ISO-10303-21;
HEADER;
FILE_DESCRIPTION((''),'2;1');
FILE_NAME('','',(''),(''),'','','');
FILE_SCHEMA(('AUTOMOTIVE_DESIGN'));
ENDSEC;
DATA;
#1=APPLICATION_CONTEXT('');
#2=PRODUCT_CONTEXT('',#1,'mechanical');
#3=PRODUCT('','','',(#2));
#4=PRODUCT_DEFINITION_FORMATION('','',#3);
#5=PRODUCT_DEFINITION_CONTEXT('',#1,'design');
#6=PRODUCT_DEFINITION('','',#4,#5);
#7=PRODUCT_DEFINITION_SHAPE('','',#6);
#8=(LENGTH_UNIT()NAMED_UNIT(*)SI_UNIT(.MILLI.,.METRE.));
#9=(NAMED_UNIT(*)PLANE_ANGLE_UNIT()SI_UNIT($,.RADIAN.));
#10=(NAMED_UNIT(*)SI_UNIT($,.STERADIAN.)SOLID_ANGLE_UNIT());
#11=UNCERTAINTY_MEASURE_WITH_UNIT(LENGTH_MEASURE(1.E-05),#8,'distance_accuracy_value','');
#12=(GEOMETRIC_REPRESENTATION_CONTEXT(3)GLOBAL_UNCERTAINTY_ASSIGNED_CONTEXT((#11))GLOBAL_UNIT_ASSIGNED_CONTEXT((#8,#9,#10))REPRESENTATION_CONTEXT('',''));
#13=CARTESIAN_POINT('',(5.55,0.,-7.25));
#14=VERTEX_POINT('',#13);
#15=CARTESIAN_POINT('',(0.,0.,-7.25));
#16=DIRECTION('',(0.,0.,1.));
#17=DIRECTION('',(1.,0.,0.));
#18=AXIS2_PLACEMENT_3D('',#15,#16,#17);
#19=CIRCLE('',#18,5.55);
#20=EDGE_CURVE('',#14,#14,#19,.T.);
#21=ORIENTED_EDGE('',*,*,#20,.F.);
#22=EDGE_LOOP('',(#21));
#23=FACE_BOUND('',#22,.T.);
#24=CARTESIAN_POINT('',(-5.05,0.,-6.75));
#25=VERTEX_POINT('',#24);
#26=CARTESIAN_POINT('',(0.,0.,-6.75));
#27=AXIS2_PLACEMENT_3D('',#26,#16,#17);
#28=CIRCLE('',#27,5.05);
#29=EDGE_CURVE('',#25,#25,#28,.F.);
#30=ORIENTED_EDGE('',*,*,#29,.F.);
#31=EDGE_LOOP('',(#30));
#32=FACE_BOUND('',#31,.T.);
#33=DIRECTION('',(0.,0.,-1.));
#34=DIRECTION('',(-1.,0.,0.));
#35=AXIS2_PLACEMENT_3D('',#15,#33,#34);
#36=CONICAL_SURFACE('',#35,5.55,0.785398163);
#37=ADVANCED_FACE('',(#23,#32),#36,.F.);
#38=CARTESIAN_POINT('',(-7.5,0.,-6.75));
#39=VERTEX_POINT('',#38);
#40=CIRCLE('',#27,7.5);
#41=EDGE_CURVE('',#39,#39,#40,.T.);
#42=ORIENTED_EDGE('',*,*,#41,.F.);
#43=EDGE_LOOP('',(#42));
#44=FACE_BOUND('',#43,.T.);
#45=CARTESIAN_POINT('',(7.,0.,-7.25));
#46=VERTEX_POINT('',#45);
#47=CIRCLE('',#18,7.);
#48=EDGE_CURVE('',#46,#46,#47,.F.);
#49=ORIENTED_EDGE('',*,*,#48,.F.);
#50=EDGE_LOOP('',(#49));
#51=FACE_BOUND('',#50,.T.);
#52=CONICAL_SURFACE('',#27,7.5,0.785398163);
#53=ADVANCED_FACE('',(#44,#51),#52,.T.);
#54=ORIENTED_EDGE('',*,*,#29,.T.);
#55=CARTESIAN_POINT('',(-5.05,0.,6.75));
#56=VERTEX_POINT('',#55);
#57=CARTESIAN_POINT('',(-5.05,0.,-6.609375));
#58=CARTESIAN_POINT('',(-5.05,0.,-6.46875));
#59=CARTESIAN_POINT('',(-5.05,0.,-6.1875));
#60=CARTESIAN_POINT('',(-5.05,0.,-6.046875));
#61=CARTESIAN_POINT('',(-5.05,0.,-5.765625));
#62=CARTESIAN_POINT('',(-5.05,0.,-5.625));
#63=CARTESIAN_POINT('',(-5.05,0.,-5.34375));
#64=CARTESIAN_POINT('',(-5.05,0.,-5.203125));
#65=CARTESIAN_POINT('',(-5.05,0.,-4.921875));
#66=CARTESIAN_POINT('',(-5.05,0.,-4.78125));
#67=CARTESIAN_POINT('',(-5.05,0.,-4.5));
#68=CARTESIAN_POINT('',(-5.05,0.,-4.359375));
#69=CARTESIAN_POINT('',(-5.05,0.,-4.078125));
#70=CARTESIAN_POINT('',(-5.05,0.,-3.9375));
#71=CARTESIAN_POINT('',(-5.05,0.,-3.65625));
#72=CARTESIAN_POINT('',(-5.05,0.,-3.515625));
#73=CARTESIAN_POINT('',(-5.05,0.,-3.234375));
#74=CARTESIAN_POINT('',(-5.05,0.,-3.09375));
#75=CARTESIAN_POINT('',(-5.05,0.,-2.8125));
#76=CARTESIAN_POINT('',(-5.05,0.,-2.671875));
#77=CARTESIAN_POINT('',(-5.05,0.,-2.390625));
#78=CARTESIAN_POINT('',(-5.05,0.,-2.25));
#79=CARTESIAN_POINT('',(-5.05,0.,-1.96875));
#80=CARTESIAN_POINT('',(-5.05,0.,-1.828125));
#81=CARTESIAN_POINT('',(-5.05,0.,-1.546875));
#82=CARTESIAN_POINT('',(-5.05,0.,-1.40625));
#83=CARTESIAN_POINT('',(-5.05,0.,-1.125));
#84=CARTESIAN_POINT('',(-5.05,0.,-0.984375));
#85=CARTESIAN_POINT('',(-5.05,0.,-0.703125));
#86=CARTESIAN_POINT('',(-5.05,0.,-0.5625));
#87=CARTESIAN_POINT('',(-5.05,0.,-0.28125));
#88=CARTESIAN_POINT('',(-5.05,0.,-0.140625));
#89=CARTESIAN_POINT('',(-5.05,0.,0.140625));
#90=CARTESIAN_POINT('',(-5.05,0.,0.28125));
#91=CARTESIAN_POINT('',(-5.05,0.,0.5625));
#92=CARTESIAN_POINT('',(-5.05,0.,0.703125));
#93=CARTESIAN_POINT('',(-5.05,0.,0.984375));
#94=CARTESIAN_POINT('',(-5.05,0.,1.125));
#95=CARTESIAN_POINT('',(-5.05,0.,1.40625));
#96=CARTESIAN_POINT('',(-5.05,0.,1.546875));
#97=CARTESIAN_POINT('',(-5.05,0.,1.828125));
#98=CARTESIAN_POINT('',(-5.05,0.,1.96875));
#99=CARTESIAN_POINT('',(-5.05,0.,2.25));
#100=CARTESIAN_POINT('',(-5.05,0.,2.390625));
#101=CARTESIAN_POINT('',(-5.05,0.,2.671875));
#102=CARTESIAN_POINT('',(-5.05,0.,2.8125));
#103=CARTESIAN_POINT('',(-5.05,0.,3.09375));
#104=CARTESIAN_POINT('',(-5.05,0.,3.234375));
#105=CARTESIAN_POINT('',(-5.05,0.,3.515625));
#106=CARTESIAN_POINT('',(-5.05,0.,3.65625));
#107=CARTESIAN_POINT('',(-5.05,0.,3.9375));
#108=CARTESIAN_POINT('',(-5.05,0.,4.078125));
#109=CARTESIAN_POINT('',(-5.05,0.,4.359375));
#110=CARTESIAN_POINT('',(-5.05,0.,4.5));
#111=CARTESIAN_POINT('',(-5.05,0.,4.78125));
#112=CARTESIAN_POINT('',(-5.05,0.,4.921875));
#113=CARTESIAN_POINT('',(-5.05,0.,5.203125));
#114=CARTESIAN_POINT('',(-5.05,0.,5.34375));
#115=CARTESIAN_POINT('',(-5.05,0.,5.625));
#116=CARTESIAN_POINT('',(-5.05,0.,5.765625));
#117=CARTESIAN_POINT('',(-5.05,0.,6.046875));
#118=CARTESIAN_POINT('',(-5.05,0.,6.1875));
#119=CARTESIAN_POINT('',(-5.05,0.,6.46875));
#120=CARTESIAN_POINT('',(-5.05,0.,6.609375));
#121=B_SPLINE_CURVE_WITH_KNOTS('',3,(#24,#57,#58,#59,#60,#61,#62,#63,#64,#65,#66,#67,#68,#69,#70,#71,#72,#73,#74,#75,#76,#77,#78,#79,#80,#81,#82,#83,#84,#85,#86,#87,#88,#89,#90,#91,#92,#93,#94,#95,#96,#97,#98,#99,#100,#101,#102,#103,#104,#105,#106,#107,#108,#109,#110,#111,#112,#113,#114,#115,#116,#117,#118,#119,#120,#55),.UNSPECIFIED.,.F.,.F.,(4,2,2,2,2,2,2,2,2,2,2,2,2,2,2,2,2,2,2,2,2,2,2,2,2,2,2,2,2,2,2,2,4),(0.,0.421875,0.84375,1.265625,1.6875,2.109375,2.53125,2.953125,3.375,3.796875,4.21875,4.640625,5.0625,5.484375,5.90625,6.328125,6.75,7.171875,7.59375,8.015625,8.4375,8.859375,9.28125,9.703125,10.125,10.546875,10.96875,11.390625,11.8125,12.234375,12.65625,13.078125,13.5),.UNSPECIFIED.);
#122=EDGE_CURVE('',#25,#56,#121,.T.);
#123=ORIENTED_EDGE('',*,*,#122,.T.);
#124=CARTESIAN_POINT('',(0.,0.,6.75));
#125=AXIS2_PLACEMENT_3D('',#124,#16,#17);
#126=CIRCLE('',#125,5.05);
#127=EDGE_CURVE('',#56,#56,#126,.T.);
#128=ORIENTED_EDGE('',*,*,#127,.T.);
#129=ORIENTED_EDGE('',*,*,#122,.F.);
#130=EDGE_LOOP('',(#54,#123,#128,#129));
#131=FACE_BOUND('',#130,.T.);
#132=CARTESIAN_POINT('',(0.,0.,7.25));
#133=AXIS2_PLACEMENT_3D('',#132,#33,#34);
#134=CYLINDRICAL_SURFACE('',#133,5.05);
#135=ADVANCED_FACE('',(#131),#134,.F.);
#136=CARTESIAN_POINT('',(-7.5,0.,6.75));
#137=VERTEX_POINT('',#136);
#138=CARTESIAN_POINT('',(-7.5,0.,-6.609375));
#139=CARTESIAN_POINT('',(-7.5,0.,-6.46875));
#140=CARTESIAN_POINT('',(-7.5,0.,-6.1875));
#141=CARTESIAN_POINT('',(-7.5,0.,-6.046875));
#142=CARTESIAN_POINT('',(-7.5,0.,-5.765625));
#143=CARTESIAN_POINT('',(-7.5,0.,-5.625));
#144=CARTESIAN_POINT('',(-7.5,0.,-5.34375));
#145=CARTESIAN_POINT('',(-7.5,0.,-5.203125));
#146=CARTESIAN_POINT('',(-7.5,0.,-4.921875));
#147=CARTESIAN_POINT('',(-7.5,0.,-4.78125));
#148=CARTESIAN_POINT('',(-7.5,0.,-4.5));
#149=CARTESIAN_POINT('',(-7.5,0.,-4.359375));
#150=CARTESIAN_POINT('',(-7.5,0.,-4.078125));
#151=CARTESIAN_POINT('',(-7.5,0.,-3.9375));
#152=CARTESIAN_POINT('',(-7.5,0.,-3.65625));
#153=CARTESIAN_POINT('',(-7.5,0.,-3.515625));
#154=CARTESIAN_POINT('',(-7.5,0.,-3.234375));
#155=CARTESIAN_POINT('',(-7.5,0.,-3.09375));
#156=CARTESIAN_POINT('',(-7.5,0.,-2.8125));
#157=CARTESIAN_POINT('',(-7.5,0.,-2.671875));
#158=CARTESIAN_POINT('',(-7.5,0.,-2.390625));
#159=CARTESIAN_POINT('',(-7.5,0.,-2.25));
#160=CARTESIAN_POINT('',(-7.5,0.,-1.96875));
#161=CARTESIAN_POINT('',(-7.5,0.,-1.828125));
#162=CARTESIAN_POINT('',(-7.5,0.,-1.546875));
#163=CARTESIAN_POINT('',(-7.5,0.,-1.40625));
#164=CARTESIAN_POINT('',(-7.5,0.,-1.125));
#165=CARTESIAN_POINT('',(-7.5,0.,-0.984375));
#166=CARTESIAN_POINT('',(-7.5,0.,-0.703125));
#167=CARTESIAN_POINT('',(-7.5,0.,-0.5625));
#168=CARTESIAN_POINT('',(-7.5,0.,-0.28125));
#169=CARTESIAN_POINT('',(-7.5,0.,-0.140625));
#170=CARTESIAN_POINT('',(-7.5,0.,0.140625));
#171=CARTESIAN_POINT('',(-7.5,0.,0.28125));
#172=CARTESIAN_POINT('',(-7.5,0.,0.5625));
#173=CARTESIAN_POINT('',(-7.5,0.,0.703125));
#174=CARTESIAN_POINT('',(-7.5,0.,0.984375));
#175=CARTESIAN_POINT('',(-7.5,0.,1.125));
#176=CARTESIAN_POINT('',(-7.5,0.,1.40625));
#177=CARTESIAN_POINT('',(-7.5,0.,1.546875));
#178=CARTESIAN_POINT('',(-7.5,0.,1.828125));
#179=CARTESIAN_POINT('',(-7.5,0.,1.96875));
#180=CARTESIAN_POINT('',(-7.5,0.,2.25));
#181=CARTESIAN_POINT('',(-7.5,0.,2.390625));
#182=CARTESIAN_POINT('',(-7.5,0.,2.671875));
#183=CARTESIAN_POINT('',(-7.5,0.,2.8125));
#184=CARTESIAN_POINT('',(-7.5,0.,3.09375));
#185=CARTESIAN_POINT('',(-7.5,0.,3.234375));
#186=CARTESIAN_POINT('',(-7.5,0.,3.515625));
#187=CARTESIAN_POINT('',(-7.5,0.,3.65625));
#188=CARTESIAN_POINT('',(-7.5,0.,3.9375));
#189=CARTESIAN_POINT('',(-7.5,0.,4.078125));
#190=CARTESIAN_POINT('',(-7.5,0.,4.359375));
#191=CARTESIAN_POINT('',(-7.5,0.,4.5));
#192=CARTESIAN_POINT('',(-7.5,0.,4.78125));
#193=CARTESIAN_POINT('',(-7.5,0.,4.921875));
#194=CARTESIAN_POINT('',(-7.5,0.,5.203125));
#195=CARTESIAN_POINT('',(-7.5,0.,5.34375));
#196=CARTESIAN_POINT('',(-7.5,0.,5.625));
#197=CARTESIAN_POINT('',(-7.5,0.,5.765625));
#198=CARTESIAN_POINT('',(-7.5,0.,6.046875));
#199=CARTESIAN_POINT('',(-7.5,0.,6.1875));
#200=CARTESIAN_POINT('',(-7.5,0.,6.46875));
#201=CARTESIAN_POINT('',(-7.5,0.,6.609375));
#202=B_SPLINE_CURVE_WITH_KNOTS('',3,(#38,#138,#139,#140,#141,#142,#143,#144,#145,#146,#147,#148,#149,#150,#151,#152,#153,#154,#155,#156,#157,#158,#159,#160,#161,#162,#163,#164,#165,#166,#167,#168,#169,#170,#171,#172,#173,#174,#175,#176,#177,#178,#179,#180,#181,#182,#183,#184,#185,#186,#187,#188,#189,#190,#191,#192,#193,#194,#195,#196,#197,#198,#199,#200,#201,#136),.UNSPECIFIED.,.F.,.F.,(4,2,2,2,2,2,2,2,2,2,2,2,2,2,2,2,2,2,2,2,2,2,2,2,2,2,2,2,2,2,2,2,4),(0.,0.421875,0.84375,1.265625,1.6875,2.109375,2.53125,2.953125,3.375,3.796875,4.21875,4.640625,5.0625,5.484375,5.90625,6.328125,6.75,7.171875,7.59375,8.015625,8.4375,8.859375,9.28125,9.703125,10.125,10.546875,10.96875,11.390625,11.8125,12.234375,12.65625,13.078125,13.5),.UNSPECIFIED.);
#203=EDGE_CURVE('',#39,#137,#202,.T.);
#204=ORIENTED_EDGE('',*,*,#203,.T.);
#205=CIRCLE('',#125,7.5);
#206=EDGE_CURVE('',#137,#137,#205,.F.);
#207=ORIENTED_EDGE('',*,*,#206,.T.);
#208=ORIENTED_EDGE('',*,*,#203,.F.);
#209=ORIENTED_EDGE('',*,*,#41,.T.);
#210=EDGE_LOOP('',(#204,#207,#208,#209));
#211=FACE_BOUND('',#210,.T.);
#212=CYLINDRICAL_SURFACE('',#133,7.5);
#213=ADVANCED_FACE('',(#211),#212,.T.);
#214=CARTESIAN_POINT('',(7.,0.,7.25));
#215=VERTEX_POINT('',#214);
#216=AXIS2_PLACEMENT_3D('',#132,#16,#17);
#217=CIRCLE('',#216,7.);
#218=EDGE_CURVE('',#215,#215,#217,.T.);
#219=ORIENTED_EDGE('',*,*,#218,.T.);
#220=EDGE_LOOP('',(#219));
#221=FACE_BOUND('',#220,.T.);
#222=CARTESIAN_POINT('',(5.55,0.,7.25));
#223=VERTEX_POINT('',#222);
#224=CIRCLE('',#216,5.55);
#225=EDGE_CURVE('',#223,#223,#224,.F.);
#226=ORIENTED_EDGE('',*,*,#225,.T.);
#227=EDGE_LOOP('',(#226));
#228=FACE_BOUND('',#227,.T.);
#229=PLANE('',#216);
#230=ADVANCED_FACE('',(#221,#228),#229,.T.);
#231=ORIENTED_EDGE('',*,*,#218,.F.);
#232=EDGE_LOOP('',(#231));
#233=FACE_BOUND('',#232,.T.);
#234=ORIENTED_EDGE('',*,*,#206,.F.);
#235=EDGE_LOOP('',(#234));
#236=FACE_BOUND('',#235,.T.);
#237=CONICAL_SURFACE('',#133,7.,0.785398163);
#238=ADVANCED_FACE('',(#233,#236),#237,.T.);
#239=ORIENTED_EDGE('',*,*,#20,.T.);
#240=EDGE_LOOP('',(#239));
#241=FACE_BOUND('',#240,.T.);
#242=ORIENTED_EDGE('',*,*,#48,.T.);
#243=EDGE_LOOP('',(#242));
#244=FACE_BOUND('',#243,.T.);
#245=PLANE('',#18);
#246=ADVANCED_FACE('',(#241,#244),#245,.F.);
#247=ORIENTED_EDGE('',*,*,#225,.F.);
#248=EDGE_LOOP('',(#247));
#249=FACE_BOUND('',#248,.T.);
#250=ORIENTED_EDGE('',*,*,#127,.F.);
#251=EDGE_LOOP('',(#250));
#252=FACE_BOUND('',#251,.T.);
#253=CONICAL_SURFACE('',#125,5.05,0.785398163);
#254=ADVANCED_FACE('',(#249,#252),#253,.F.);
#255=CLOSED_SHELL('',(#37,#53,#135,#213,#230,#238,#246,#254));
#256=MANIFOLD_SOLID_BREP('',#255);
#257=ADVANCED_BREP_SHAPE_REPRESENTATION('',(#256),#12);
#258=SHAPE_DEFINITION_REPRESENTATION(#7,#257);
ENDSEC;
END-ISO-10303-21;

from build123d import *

# Parameters (mm, degrees)
ESBO_O1_R                = 7.5
ESBO_O1_R_2              = 5.05
RESSALTO_EXTRUS_O1_DEPTH = 7.25
CHANFRO1_SIZE            = 0.5


with BuildPart() as part:
    # Esboço1 → Ressalto-extrusão1 (new, symmetric)
    with BuildSketch(Plane.XY):
        with Locations(Location((0, 0, 0), (0, 0, 180))):
            Circle(ESBO_O1_R)
        with Locations(Location((0, 0, 0), (0, 0, 180))):
            Circle(ESBO_O1_R_2, mode=Mode.SUBTRACT)
    extrude(amount=RESSALTO_EXTRUS_O1_DEPTH, both=True)

    # Chanfro1
    chanfro1_edges = [part.edges().sort_by_distance(p)[0] for p in [
        (7.5, 0, -7.25),
        (7.5, 0, 7.25),
        (5.05, 0, -7.25),
        (5.05, 0, 7.25),
    ]]
    chamfer(chanfro1_edges, length=CHANFRO1_SIZE)


solid = part.part
